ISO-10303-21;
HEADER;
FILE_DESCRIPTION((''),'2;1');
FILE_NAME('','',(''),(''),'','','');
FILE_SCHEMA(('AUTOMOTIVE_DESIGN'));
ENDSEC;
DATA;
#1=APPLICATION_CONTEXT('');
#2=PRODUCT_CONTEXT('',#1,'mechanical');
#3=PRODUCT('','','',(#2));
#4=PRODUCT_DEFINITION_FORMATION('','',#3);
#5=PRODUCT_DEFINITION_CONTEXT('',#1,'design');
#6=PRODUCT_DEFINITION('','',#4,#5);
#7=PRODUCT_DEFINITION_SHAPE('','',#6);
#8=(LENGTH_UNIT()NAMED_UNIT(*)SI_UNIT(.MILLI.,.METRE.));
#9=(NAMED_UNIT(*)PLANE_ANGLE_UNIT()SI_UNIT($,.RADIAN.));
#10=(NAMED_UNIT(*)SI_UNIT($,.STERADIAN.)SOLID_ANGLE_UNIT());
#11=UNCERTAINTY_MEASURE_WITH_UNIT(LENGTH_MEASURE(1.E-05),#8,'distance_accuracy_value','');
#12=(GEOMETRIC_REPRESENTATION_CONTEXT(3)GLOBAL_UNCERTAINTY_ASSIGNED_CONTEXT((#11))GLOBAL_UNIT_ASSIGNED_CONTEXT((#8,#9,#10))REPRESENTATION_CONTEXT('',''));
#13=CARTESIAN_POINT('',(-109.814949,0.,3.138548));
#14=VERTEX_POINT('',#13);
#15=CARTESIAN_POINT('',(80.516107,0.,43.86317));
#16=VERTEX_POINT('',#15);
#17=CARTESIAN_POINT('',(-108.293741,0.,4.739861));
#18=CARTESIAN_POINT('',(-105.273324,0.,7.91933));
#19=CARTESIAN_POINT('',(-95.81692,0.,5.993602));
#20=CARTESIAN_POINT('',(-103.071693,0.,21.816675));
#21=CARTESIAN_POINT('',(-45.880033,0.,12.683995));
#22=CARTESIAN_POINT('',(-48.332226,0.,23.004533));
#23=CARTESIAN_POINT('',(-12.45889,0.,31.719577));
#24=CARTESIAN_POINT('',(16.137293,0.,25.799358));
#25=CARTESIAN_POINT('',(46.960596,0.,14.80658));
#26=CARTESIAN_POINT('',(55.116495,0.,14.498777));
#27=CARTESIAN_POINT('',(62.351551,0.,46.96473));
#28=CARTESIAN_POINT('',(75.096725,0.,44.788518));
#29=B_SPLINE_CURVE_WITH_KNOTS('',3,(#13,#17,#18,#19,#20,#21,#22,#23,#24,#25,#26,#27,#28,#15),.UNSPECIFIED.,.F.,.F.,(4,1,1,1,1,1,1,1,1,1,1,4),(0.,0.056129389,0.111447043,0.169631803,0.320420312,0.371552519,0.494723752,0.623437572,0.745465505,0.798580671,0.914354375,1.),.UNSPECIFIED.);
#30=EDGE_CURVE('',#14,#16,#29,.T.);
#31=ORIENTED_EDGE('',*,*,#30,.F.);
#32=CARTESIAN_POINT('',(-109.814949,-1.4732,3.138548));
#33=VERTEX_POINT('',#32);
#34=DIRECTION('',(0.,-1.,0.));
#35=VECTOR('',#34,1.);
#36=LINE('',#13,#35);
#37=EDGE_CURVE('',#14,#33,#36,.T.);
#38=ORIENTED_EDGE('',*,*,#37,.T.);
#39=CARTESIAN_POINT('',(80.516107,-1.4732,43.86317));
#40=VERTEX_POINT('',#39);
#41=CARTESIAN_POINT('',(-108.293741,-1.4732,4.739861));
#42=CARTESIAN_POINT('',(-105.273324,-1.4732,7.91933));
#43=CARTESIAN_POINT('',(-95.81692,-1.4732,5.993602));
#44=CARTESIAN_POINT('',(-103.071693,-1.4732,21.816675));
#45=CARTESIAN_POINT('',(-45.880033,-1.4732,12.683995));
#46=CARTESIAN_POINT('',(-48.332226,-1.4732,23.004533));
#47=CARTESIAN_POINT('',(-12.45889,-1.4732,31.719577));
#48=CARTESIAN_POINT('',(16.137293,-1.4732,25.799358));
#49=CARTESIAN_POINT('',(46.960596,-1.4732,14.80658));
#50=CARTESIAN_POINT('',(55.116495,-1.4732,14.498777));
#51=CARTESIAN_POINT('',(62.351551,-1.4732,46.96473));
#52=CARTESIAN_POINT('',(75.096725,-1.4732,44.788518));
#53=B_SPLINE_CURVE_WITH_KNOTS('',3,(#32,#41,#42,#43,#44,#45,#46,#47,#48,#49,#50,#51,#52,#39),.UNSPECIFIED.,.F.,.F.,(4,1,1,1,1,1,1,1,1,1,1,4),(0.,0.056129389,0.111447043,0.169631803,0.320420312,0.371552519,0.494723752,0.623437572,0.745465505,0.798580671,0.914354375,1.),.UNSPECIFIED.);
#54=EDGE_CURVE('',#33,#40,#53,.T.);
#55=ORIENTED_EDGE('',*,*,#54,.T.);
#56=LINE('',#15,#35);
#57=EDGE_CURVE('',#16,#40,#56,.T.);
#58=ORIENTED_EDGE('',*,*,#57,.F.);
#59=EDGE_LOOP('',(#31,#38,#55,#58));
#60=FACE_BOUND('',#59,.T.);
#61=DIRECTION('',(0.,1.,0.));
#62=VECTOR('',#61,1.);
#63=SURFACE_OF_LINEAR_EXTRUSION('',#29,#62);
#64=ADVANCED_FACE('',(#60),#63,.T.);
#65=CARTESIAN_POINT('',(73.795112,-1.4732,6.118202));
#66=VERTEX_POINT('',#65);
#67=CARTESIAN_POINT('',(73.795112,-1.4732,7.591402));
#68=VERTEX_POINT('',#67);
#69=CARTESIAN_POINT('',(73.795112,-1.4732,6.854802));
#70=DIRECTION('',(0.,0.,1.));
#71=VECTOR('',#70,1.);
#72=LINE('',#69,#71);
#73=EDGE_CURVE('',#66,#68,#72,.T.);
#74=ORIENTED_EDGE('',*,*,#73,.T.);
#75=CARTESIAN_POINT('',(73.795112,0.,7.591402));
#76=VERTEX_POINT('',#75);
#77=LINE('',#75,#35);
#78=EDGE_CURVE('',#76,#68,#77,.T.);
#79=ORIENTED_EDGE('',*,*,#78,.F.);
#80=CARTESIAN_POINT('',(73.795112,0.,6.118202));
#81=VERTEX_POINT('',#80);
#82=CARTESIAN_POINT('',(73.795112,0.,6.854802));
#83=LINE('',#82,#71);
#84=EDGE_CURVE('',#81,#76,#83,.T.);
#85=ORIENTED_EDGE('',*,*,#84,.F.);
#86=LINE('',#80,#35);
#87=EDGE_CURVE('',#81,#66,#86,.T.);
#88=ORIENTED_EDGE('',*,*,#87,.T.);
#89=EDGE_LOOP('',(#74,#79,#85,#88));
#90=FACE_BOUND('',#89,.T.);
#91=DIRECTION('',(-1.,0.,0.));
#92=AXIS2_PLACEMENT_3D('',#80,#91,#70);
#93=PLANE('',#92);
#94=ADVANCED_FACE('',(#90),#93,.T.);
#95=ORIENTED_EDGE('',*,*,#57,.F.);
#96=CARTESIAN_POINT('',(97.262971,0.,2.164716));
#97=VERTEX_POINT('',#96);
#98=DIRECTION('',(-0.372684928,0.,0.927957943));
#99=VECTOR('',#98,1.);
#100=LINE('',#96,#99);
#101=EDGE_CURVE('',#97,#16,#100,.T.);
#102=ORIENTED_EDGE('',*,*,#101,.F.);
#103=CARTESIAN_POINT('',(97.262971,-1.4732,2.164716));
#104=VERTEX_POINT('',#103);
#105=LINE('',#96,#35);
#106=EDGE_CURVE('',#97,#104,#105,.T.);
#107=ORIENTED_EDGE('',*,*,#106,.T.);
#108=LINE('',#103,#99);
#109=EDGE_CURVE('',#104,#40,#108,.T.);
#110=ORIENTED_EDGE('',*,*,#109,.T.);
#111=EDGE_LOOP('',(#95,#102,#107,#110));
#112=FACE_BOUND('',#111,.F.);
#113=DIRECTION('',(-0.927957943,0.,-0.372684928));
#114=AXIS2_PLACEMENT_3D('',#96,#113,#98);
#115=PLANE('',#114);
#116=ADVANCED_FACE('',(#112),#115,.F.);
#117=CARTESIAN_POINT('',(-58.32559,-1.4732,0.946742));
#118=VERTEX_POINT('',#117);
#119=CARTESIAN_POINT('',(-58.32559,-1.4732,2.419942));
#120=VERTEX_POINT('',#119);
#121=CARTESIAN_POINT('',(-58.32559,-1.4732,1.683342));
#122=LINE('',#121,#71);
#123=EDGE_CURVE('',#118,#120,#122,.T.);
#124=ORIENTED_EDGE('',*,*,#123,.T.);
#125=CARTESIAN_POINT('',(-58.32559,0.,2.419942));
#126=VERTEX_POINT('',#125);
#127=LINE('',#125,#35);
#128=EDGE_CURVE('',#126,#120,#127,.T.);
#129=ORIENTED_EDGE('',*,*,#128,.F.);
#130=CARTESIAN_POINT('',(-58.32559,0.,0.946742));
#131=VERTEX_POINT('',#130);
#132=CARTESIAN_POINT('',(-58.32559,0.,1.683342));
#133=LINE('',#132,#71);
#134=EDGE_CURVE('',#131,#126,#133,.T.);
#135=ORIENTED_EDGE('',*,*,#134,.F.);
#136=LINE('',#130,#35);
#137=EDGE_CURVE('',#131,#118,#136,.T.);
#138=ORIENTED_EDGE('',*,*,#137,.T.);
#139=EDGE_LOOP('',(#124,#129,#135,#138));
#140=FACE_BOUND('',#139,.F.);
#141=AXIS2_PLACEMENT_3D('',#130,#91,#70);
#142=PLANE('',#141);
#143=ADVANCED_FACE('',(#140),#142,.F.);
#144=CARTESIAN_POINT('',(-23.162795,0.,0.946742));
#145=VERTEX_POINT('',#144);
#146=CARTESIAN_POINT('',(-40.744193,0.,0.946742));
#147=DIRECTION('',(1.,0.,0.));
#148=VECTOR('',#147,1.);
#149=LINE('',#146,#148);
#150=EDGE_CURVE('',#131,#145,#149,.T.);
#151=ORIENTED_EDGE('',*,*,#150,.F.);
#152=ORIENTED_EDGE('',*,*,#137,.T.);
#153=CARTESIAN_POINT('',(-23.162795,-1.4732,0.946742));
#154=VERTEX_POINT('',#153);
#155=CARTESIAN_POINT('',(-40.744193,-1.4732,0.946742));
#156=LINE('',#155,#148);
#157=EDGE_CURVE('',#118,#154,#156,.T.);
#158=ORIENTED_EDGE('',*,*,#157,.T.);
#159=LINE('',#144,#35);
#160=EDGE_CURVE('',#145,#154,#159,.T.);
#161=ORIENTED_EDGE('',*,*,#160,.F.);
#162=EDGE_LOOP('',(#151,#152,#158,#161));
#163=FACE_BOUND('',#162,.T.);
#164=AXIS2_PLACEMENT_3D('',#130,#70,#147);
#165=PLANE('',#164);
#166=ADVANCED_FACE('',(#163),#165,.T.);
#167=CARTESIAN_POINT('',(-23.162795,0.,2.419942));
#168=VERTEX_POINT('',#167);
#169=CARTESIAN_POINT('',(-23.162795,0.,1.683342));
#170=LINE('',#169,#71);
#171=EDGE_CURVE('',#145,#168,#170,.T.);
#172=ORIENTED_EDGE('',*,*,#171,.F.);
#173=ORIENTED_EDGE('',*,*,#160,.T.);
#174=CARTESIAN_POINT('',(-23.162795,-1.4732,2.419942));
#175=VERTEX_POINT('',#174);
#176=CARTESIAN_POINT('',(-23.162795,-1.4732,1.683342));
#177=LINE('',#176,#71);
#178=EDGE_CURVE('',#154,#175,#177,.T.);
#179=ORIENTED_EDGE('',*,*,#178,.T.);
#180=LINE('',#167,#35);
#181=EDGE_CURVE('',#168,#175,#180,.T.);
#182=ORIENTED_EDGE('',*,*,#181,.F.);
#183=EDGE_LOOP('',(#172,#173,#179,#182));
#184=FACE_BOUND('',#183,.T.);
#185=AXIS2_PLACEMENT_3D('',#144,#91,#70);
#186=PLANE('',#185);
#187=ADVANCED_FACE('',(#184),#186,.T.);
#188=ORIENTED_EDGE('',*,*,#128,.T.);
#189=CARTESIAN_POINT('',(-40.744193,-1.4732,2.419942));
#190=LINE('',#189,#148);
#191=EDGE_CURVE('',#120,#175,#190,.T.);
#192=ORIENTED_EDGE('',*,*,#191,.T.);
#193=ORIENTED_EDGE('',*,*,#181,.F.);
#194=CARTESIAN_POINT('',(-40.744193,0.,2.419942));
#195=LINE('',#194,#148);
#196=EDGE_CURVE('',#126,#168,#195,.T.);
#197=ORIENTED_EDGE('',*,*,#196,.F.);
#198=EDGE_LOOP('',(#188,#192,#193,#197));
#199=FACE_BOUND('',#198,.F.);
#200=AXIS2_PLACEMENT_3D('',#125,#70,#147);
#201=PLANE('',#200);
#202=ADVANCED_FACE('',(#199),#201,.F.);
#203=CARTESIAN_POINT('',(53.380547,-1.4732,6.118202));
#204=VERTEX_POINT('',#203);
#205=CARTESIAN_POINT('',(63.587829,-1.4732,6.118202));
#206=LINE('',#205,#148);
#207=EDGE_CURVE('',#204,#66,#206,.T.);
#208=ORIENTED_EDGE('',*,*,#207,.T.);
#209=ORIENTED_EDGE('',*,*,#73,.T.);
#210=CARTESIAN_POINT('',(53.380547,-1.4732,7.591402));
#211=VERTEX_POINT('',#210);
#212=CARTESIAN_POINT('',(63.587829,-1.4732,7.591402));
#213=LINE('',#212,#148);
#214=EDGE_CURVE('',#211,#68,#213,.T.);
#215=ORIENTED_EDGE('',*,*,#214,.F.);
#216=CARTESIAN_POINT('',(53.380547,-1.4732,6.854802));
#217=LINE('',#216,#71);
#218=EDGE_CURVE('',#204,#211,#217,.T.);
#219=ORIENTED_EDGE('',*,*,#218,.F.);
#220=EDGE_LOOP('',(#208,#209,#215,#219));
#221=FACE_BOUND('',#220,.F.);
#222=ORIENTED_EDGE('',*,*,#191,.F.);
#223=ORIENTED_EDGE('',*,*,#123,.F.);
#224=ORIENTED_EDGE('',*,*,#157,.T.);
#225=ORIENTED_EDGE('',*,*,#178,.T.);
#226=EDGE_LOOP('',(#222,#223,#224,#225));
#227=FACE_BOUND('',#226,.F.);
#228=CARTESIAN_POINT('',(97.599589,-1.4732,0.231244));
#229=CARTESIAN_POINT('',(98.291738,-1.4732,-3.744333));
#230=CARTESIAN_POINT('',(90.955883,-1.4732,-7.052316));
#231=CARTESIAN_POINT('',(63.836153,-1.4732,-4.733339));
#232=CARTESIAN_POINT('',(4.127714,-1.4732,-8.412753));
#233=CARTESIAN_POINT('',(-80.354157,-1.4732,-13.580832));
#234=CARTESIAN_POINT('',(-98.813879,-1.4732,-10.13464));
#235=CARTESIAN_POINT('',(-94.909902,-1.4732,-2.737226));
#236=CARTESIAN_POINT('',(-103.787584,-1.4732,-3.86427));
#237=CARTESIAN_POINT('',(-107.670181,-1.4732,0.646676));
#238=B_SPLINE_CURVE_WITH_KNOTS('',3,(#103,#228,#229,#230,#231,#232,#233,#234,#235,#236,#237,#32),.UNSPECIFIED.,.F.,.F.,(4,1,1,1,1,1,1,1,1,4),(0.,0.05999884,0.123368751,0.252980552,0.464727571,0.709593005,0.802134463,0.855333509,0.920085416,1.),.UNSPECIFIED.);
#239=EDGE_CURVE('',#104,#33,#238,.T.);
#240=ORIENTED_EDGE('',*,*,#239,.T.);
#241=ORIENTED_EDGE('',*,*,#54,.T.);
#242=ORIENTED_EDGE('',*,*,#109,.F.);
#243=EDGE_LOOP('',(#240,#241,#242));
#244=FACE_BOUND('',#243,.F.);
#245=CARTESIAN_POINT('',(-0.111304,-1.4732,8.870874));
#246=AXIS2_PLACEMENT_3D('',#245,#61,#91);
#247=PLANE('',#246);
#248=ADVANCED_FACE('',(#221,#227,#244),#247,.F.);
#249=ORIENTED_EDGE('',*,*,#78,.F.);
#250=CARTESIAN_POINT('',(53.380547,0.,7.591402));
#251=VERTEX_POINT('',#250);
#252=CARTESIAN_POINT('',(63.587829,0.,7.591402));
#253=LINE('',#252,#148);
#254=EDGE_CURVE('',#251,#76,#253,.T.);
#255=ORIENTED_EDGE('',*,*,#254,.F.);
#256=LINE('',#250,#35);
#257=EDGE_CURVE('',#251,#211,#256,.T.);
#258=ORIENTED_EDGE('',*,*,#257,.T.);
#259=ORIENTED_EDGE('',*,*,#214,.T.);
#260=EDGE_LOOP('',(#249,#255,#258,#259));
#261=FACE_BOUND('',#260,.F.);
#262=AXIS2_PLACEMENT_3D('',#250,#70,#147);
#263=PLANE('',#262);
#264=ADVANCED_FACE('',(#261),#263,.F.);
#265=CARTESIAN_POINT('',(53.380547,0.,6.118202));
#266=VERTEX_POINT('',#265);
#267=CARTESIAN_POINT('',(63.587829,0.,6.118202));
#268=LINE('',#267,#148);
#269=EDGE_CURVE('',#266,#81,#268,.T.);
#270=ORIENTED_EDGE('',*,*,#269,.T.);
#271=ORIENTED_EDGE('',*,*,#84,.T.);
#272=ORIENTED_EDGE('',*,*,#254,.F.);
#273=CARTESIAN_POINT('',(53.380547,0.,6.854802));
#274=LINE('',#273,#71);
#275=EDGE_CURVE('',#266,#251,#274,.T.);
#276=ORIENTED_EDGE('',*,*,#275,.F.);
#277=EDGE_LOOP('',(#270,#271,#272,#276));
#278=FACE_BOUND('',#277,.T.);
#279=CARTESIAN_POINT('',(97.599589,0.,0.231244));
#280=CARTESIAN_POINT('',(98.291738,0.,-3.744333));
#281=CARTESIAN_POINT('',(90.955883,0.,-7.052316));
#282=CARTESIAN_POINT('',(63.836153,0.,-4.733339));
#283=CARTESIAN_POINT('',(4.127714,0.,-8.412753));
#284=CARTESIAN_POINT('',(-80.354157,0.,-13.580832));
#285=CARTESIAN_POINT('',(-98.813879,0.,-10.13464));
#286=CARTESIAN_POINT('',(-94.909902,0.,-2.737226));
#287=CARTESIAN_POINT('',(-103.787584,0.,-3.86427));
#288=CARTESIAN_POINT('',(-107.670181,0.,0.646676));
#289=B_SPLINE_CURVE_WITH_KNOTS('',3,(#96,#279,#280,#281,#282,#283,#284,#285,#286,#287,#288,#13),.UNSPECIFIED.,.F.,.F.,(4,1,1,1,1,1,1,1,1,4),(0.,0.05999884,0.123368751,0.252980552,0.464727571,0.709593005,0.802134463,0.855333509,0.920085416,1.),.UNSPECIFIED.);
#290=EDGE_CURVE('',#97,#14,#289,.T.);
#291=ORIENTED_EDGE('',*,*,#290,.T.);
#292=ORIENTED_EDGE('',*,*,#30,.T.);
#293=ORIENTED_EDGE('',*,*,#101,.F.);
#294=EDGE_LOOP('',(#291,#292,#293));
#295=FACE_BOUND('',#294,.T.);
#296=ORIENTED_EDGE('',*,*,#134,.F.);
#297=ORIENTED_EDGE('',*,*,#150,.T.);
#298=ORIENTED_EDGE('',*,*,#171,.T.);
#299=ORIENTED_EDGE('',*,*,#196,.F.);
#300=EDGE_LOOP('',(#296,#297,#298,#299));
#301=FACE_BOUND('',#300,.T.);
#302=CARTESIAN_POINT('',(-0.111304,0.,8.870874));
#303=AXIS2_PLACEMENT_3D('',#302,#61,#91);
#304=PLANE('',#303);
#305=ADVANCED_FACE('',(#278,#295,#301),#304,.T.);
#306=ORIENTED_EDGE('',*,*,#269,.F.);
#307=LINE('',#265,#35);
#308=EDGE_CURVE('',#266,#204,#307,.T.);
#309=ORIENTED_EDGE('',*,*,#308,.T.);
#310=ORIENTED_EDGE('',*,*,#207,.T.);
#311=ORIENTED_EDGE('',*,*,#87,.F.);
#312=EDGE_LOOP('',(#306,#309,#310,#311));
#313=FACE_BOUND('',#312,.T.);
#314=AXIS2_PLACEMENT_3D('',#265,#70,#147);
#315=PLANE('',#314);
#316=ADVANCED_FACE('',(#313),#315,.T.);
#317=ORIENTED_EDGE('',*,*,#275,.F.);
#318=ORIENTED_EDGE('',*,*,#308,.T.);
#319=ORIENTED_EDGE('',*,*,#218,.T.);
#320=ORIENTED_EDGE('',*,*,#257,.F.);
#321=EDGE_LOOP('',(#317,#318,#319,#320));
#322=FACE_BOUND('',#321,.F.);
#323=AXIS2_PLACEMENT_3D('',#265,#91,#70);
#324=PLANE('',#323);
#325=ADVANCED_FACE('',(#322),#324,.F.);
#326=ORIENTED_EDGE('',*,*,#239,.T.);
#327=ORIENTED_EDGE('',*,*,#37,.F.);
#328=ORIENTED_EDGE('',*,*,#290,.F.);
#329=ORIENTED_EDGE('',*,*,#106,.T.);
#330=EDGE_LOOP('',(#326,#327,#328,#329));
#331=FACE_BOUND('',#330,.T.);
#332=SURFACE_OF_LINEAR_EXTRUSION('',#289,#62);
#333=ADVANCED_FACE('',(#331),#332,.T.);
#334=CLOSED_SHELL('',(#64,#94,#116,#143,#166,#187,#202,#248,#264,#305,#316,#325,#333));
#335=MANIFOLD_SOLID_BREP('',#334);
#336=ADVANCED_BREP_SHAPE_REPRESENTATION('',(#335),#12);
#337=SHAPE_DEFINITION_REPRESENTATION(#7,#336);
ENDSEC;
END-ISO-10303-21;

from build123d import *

# Parameters (mm, degrees)
F0_W     = 35.1627948
F0_H     = 1.4732
F0_W_2   = 20.4145642
F1_DEPTH = 1.4732


with BuildPart() as f1:
    # F0 (on Front) → F1 (new body)
    with BuildSketch(Plane.XZ):
        with BuildLine():
            add(Edge.make_bspline(
                [(-109.8149493337, 3.1385479961), (-108.2937410986, 4.7398612041), (-105.2733241214, 7.9193296609), (-95.8169200558, 5.9936022895), (-103.0716930292, 21.8166749639), (-45.8800330673, 12.6839948586), (-48.3322256634, 23.004533034), (-12.4588899674, 31.7195768008), (16.137292802, 25.7993579285), (46.9605962111, 14.806579809), (55.1164949058, 14.4987773217), (62.3515511385, 46.964729651), (75.0967249279, 44.7885180128), (80.5161073804, 43.8631698489)],
                knots=[0, 0, 0, 0, 0.0561293893, 0.1114470434, 0.1696318028, 0.3204203123, 0.3715525192, 0.4947237521, 0.6234375718, 0.7454655046, 0.798580671, 0.9143543748, 1, 1, 1, 1], degree=3))
            add(Edge.make_bspline(
                [(97.2629711032, 2.1647161338), (97.5995889647, 0.231244202), (98.2917377632, -3.7443329366), (90.9558829096, -7.0523158948), (63.8361527594, -4.7333392277), (4.1277144575, -8.412753388), (-80.3541566536, -13.580831774), (-98.8138785968, -10.1346397531), (-94.9099022927, -2.7372264279), (-103.7875835133, -3.8642697161), (-107.6701807606, 0.6466761237), (-109.8149493337, 3.1385479961)],
                knots=[0, 0, 0, 0, 0.0599988401, 0.1233687508, 0.2529805516, 0.4647275706, 0.7095930047, 0.8021344628, 0.8553335095, 0.9200854164, 1, 1, 1, 1], degree=3))
            Line((97.2629711032, 2.1647161338), (80.5161073804, 43.8631698489))
        make_face()
        with Locations((-40.7441928983, 1.6833419213)):
            Rectangle(F0_W, F0_H, mode=Mode.SUBTRACT)
        with Locations((63.5878294706, 6.8548019044)):
            Rectangle(F0_W_2, F0_H, mode=Mode.SUBTRACT)
    extrude(amount=F1_DEPTH)


solid = f1.part
